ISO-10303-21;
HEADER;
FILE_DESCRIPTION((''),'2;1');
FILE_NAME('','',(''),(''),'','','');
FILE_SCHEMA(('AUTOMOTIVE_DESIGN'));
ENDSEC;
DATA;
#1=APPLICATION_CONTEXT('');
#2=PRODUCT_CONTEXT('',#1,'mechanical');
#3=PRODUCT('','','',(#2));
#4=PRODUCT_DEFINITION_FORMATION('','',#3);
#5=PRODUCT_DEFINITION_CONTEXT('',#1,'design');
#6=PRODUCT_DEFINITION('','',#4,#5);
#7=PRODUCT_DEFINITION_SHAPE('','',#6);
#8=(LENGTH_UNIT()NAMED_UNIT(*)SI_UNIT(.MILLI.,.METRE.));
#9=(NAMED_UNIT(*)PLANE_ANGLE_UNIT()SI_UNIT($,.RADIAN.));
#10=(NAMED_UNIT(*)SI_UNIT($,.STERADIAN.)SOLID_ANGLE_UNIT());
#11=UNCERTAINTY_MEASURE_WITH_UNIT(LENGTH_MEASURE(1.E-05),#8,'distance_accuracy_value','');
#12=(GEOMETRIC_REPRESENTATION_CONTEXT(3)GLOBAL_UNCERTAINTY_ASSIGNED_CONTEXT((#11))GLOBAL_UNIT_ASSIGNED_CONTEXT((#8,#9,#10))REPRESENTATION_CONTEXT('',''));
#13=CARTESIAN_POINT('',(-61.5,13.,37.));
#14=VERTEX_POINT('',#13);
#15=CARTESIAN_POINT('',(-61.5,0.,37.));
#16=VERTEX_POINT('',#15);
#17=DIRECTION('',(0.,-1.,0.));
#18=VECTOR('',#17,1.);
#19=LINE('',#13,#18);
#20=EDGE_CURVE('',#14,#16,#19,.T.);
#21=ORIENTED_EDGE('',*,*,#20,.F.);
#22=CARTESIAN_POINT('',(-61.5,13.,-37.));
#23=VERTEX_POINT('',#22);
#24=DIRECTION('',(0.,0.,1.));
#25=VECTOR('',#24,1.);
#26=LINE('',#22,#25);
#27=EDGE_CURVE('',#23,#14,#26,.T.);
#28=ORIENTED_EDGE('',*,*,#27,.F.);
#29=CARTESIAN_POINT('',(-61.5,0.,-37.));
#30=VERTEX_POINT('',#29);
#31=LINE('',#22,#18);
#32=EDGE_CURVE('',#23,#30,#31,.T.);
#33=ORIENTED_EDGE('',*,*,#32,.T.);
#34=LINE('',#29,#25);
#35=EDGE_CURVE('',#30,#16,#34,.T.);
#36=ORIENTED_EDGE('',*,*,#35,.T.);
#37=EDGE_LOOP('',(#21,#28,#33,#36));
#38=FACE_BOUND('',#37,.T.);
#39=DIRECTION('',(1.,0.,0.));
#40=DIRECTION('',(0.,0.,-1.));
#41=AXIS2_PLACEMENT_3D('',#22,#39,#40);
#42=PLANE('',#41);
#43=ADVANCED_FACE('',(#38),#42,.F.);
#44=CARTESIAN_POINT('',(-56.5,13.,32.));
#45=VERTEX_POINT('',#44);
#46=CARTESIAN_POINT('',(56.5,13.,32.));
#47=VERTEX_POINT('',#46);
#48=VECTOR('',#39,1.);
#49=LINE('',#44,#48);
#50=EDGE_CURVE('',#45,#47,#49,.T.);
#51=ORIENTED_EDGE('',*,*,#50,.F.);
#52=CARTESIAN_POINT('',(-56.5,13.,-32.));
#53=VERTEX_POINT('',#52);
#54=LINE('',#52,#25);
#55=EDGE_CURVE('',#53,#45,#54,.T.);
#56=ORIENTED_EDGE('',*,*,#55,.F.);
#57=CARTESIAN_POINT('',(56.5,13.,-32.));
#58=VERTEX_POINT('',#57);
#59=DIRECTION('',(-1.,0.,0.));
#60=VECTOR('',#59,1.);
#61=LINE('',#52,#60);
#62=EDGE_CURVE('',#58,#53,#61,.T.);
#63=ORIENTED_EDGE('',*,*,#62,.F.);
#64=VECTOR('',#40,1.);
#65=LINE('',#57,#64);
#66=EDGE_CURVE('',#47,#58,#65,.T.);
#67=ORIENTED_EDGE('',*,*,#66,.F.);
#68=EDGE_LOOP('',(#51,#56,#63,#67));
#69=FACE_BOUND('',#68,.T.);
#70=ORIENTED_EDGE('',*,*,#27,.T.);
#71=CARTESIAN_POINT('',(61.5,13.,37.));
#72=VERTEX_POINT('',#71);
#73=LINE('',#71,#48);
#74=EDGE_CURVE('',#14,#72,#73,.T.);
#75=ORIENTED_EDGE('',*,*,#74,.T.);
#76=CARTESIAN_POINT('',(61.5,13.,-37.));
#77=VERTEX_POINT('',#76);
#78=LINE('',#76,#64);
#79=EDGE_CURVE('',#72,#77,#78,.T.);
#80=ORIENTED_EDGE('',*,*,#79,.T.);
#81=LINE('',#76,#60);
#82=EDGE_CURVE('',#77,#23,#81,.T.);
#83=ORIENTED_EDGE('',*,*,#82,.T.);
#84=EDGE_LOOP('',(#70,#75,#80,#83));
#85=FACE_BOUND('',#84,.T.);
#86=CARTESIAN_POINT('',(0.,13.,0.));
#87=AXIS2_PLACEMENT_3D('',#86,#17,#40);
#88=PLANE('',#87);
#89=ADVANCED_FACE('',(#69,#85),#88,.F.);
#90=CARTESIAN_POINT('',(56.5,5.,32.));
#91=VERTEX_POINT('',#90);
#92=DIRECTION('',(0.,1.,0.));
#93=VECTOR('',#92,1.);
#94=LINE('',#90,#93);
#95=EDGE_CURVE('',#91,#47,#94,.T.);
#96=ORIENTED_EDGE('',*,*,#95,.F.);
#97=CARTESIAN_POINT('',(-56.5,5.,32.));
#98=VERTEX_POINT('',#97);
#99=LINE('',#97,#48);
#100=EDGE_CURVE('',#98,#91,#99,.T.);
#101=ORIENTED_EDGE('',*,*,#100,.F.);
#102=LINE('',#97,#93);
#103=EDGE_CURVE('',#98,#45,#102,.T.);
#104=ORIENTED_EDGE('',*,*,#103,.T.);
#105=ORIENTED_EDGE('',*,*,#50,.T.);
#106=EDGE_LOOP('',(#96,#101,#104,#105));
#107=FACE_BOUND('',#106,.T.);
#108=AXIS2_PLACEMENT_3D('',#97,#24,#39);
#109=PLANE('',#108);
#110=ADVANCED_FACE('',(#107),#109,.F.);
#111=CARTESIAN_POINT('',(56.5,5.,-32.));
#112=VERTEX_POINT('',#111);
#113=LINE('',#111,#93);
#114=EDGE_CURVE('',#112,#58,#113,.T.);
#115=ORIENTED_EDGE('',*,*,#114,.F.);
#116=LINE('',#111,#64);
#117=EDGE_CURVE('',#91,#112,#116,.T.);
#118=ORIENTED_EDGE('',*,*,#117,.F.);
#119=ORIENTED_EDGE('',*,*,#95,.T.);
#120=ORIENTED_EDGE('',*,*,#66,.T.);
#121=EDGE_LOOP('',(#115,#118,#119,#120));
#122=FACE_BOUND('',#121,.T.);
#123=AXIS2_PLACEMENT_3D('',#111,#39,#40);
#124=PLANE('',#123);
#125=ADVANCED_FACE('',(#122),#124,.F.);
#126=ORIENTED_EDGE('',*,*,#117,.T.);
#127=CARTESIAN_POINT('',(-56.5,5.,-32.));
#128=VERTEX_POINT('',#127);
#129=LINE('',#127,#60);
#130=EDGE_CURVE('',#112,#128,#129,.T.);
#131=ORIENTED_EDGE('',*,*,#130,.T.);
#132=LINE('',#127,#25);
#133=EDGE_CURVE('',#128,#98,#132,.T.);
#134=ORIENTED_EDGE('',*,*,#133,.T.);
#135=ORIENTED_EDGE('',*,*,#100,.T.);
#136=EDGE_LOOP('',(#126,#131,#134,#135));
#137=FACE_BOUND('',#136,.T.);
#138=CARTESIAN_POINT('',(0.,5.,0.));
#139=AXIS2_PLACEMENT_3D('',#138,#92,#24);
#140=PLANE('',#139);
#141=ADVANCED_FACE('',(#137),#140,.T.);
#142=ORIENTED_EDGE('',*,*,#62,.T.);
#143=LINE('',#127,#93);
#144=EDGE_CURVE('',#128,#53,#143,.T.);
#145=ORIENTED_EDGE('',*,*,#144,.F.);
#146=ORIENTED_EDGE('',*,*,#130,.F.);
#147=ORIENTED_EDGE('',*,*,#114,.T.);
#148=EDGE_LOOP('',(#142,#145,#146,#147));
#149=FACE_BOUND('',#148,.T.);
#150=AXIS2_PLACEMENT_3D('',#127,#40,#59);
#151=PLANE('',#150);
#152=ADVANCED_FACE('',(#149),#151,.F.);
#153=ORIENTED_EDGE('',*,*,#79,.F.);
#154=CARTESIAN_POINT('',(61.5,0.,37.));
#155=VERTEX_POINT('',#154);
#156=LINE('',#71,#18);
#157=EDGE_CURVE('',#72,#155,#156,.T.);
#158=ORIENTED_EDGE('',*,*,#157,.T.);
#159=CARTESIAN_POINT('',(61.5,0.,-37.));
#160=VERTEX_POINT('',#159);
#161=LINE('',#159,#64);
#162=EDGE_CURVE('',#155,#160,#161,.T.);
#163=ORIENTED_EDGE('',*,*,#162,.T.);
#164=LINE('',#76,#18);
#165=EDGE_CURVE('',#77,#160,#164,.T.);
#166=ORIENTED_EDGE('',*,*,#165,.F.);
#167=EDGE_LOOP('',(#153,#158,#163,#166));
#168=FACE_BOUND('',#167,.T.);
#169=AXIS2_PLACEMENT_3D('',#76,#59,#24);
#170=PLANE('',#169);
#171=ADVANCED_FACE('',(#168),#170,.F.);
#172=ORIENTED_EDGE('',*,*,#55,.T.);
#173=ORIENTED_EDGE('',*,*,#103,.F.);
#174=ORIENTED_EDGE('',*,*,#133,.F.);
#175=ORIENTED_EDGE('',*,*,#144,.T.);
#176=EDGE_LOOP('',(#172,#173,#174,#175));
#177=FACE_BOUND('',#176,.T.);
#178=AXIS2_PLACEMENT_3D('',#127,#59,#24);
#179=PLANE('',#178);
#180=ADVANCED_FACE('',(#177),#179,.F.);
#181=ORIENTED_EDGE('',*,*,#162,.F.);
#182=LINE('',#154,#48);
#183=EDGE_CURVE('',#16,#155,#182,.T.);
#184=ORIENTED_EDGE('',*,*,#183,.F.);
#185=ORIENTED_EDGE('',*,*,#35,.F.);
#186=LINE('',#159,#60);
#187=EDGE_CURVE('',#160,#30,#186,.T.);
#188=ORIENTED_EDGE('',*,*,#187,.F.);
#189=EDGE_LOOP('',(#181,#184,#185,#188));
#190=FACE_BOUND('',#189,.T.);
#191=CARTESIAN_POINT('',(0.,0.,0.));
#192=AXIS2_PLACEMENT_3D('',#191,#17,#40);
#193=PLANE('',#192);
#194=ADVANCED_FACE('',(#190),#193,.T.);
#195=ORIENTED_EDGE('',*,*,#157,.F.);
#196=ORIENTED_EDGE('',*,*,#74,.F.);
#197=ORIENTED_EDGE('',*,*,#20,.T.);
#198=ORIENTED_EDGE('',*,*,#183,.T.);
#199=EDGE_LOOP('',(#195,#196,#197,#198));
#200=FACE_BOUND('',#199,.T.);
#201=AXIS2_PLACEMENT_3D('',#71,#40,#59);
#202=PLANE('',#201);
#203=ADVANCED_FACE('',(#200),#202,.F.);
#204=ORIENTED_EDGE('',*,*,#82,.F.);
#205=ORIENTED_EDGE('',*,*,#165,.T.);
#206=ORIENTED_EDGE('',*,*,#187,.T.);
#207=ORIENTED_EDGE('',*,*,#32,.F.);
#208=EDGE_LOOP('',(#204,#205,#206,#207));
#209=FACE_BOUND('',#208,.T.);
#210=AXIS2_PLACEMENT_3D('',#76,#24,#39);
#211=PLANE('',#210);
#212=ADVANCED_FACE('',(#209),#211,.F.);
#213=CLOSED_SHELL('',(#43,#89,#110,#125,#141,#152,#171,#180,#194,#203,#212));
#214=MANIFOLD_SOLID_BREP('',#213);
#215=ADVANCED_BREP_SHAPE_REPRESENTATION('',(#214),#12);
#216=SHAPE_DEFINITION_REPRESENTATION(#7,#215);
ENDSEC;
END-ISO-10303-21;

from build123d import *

# Parameters (mm, degrees)
SKETCH1_W           = 123
SKETCH1_H           = 74
BOSS_EXTRUDE1_DEPTH = 13
SKETCH3_W           = 113
SKETCH3_H           = 64
CUT_EXTRUDE1_DEPTH  = 8


with BuildPart() as part:
    # Sketch1 → Boss-Extrude1 (new body)
    with BuildSketch(Plane(origin=(0, 0, 0), x_dir=(1, 0, 0), z_dir=(0, 1, 0))):
        Rectangle(SKETCH1_W, SKETCH1_H)
    extrude(amount=BOSS_EXTRUDE1_DEPTH)

    # Sketch3 → Cut-Extrude1 (cut)
    with BuildSketch(Plane(origin=(0, 13, 0), x_dir=(1, 0, 0), z_dir=(0, 1, 0))):
        Rectangle(SKETCH3_W, SKETCH3_H)
    extrude(amount=-CUT_EXTRUDE1_DEPTH, mode=Mode.SUBTRACT)


solid = part.part
